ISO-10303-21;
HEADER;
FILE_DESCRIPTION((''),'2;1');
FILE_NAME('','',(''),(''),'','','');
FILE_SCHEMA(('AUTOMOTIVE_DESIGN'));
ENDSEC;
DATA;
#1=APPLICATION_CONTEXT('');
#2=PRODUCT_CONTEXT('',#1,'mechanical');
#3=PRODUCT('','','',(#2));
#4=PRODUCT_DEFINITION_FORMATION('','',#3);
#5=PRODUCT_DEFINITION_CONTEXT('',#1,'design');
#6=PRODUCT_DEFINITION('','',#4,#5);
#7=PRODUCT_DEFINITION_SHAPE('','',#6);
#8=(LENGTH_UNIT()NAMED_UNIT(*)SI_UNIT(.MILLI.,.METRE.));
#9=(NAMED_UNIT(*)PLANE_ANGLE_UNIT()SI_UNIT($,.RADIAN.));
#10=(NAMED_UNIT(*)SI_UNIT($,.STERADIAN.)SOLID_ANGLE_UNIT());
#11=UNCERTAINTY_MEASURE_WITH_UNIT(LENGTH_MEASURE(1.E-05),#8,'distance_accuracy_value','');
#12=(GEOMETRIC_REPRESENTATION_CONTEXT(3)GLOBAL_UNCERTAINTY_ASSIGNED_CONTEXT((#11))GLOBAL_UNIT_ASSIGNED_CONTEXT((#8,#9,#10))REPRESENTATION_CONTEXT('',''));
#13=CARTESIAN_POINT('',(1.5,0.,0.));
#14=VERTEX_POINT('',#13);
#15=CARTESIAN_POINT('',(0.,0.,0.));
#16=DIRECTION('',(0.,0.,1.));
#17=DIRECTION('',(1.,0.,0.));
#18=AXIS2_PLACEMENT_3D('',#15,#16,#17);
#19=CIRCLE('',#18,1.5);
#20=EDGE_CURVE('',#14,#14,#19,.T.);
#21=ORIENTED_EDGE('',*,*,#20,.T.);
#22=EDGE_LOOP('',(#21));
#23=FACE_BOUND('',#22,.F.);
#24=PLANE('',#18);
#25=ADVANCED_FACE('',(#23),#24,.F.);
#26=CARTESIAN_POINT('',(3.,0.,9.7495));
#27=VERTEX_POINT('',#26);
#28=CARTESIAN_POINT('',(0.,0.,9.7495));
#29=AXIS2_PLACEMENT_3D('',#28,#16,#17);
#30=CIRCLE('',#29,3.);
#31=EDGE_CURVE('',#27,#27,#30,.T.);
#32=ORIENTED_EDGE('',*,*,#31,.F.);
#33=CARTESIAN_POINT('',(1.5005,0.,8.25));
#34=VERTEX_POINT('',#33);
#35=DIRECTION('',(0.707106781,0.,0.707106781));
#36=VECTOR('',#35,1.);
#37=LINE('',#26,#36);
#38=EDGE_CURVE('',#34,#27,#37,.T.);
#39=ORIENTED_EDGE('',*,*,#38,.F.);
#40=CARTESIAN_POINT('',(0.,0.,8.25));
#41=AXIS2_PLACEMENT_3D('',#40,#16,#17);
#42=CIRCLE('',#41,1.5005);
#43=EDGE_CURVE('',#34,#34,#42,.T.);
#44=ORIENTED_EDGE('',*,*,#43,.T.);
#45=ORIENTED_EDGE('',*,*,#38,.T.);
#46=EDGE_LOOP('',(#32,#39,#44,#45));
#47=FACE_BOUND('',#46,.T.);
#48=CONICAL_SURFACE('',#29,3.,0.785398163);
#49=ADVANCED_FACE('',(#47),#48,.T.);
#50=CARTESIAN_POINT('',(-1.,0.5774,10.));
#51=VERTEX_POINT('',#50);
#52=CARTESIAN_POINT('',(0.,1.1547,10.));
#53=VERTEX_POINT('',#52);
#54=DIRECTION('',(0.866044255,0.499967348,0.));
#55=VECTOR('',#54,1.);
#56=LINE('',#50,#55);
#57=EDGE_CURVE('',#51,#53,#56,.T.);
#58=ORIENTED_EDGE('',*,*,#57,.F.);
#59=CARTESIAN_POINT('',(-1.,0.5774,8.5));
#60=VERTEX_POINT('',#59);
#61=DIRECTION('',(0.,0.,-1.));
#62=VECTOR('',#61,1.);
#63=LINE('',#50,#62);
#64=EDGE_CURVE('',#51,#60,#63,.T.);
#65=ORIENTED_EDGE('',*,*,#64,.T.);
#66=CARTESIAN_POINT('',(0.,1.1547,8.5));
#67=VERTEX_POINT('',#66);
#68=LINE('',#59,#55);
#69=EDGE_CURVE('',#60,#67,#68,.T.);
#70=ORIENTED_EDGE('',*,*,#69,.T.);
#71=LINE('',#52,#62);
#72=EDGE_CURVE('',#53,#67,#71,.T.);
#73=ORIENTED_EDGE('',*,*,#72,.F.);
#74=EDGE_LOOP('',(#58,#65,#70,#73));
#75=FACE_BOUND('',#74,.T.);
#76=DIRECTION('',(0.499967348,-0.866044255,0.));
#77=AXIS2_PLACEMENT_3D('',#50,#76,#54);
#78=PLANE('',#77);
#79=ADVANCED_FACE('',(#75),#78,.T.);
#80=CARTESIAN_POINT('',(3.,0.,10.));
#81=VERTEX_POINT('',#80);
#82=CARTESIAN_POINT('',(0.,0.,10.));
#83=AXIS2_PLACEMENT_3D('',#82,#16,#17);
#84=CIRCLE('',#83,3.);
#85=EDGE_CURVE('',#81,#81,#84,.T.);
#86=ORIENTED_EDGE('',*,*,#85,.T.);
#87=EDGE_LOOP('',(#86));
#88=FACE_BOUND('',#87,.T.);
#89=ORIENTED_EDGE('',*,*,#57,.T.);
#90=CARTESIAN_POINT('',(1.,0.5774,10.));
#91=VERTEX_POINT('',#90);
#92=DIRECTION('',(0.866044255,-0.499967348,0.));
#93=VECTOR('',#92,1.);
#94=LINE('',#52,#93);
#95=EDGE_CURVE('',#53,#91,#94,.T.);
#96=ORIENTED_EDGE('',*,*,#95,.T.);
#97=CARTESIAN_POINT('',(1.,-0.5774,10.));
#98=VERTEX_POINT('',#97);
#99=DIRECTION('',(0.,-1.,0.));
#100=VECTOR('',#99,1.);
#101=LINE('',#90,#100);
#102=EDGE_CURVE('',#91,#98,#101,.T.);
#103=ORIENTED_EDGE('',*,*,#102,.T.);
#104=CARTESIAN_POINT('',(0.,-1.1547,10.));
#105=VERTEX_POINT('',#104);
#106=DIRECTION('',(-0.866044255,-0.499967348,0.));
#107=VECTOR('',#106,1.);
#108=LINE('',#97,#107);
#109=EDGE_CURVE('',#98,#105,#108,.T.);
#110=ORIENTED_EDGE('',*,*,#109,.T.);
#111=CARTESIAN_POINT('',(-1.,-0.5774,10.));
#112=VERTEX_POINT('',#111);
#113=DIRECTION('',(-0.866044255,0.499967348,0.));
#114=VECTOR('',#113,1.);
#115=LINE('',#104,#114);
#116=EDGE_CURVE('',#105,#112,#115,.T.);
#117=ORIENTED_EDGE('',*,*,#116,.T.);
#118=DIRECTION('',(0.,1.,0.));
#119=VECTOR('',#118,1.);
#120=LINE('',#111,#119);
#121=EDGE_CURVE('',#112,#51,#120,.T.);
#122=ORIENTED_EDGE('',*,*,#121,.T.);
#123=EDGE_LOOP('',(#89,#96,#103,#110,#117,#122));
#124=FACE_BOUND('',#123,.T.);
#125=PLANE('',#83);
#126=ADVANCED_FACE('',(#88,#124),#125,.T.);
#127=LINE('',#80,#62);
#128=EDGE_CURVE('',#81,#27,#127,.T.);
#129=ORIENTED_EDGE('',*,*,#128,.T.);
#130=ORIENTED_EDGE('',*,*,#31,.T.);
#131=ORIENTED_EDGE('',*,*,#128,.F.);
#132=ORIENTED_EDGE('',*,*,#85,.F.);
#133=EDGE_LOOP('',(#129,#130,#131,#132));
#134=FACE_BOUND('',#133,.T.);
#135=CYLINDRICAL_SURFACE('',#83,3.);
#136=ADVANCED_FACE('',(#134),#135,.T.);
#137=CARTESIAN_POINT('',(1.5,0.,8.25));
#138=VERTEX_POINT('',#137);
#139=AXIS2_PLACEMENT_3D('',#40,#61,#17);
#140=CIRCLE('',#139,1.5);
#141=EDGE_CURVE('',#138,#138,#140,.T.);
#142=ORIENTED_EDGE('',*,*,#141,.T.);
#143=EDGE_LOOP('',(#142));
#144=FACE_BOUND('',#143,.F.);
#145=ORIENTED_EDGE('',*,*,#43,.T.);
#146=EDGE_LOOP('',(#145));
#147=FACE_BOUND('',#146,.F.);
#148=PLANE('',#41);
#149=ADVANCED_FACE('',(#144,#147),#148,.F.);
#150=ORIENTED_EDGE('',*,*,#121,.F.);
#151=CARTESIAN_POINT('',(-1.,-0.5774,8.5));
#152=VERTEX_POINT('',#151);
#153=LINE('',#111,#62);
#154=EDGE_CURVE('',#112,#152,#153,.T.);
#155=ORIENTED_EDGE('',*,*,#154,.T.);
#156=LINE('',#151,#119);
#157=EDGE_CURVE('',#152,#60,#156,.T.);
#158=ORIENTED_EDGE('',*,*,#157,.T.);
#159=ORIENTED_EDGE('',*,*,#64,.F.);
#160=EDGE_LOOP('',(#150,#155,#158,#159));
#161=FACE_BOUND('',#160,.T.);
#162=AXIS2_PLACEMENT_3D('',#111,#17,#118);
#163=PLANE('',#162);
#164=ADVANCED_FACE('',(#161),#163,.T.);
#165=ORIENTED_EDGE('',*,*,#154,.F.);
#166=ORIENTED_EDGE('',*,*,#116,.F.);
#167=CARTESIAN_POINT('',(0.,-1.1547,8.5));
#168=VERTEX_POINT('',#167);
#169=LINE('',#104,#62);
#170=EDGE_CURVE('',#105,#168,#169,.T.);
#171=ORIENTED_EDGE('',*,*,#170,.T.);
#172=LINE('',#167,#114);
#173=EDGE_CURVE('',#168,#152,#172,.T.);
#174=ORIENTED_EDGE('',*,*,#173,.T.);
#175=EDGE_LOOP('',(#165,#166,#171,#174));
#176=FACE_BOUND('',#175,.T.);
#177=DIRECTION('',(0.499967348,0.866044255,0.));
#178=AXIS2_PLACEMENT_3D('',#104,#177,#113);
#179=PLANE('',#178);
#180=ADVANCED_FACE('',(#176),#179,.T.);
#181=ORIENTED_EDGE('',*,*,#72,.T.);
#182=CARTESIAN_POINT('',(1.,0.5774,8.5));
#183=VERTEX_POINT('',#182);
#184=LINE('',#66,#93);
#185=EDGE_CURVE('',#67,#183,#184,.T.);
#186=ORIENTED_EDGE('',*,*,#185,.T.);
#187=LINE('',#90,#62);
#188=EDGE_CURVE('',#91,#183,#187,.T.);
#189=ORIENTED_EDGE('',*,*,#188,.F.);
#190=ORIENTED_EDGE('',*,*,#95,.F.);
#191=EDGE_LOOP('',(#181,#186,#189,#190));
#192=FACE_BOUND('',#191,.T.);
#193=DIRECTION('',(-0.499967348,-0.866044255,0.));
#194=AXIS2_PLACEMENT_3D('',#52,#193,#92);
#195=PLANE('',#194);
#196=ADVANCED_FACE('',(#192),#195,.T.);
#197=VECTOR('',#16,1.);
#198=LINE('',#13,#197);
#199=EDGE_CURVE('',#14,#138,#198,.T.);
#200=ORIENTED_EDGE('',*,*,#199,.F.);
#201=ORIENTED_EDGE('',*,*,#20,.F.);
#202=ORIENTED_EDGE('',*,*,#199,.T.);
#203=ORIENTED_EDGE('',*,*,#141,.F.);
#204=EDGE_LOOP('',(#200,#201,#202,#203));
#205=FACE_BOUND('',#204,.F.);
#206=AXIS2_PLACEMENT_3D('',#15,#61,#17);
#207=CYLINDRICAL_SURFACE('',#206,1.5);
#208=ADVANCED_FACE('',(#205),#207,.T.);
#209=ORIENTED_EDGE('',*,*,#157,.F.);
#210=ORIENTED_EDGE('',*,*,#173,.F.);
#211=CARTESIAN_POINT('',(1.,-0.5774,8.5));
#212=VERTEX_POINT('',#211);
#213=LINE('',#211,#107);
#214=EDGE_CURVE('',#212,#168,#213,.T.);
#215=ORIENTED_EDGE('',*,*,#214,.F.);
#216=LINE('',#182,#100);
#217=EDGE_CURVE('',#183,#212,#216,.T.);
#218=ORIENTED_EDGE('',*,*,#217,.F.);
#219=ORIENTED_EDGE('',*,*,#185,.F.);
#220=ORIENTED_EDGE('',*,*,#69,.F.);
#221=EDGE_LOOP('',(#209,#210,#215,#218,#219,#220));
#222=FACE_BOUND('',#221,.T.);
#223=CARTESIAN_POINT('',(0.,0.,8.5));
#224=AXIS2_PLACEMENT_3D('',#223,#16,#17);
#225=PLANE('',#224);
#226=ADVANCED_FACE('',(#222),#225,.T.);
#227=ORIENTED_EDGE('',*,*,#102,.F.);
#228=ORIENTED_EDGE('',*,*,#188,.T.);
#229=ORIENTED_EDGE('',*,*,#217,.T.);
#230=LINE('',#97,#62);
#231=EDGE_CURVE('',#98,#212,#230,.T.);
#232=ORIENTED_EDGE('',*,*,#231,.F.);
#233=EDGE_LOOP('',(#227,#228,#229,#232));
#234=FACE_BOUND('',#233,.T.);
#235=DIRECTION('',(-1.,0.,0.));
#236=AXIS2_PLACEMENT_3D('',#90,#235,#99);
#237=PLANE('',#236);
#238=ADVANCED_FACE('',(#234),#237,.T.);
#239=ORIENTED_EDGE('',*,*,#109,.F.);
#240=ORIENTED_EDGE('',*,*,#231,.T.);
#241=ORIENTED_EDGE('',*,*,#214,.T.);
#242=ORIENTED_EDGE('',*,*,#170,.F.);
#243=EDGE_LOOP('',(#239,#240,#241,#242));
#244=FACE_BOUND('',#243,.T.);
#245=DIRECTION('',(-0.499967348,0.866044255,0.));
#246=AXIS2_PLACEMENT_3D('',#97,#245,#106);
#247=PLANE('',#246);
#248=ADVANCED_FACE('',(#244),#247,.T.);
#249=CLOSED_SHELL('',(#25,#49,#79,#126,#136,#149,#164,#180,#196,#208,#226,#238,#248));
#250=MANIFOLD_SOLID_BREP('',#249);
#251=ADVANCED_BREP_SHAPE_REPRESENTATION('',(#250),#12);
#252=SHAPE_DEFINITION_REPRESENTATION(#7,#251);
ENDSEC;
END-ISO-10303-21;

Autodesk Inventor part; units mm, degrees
ref_plane "YZ Plane" through (0, 0, 0) normal (1, 0, 0) x (0, 1, 0)
ref_plane "XZ Plane" through (0, 0, 0) normal (0, 1, 0) x (-1, 0, 0)
ref_plane "XY Plane" through (0, 0, 0) normal (0, 0, 1) x (1, 0, 0)
sketch "スケッチ1" plane through (0, 0, 0) normal (0, 0, 1) x (1, 0, 0)
  circle A0 centre (0, 0) radius 1.5
  dimension "d0" = 3
extrude "押し出し1" add sketch "スケッチ1" along normal blind 10
thread "ねじ1" size "M3x0.5" class "6g" standard "ANSI Metric M Profile" full length
sketch "スケッチ2" plane through (0, 0, 10) normal (0, 0, 1) x (1, 0, 0)
  circle A0 centre (0, 0) radius 3
  dimension "d5" = 6
extrude "押し出し2" add sketch "スケッチ2" against normal blind 1.75
chamfer "面取り1" distance 1.5 angle 45 1 edges at (-3, 0, 8.25)
sketch "スケッチ3" plane through (0, 0, 10) normal (0, 0, 1) x (1, 0, 0)
  line L0 (0, 1.1547) -> (1, 0.5774)
  line L1 (1, 0.5774) -> (1, -0.5774)
  line L2 (1, -0.5774) -> (0, -1.1547)
  line L3 (0, -1.1547) -> (-1, -0.5774)
  line L4 (-1, -0.5774) -> (-1, 0.5774)
  line L5 (-1, 0.5774) -> (0, 1.1547)
  point P0 (0, 0)
  point P1 (0, 0)
  dimension "d11" = 2
extrude "押し出し3" cut sketch "スケッチ3" against normal blind 1.5
properties part number "m3皿ネジ10 (1)" material "鉄 灰色"
